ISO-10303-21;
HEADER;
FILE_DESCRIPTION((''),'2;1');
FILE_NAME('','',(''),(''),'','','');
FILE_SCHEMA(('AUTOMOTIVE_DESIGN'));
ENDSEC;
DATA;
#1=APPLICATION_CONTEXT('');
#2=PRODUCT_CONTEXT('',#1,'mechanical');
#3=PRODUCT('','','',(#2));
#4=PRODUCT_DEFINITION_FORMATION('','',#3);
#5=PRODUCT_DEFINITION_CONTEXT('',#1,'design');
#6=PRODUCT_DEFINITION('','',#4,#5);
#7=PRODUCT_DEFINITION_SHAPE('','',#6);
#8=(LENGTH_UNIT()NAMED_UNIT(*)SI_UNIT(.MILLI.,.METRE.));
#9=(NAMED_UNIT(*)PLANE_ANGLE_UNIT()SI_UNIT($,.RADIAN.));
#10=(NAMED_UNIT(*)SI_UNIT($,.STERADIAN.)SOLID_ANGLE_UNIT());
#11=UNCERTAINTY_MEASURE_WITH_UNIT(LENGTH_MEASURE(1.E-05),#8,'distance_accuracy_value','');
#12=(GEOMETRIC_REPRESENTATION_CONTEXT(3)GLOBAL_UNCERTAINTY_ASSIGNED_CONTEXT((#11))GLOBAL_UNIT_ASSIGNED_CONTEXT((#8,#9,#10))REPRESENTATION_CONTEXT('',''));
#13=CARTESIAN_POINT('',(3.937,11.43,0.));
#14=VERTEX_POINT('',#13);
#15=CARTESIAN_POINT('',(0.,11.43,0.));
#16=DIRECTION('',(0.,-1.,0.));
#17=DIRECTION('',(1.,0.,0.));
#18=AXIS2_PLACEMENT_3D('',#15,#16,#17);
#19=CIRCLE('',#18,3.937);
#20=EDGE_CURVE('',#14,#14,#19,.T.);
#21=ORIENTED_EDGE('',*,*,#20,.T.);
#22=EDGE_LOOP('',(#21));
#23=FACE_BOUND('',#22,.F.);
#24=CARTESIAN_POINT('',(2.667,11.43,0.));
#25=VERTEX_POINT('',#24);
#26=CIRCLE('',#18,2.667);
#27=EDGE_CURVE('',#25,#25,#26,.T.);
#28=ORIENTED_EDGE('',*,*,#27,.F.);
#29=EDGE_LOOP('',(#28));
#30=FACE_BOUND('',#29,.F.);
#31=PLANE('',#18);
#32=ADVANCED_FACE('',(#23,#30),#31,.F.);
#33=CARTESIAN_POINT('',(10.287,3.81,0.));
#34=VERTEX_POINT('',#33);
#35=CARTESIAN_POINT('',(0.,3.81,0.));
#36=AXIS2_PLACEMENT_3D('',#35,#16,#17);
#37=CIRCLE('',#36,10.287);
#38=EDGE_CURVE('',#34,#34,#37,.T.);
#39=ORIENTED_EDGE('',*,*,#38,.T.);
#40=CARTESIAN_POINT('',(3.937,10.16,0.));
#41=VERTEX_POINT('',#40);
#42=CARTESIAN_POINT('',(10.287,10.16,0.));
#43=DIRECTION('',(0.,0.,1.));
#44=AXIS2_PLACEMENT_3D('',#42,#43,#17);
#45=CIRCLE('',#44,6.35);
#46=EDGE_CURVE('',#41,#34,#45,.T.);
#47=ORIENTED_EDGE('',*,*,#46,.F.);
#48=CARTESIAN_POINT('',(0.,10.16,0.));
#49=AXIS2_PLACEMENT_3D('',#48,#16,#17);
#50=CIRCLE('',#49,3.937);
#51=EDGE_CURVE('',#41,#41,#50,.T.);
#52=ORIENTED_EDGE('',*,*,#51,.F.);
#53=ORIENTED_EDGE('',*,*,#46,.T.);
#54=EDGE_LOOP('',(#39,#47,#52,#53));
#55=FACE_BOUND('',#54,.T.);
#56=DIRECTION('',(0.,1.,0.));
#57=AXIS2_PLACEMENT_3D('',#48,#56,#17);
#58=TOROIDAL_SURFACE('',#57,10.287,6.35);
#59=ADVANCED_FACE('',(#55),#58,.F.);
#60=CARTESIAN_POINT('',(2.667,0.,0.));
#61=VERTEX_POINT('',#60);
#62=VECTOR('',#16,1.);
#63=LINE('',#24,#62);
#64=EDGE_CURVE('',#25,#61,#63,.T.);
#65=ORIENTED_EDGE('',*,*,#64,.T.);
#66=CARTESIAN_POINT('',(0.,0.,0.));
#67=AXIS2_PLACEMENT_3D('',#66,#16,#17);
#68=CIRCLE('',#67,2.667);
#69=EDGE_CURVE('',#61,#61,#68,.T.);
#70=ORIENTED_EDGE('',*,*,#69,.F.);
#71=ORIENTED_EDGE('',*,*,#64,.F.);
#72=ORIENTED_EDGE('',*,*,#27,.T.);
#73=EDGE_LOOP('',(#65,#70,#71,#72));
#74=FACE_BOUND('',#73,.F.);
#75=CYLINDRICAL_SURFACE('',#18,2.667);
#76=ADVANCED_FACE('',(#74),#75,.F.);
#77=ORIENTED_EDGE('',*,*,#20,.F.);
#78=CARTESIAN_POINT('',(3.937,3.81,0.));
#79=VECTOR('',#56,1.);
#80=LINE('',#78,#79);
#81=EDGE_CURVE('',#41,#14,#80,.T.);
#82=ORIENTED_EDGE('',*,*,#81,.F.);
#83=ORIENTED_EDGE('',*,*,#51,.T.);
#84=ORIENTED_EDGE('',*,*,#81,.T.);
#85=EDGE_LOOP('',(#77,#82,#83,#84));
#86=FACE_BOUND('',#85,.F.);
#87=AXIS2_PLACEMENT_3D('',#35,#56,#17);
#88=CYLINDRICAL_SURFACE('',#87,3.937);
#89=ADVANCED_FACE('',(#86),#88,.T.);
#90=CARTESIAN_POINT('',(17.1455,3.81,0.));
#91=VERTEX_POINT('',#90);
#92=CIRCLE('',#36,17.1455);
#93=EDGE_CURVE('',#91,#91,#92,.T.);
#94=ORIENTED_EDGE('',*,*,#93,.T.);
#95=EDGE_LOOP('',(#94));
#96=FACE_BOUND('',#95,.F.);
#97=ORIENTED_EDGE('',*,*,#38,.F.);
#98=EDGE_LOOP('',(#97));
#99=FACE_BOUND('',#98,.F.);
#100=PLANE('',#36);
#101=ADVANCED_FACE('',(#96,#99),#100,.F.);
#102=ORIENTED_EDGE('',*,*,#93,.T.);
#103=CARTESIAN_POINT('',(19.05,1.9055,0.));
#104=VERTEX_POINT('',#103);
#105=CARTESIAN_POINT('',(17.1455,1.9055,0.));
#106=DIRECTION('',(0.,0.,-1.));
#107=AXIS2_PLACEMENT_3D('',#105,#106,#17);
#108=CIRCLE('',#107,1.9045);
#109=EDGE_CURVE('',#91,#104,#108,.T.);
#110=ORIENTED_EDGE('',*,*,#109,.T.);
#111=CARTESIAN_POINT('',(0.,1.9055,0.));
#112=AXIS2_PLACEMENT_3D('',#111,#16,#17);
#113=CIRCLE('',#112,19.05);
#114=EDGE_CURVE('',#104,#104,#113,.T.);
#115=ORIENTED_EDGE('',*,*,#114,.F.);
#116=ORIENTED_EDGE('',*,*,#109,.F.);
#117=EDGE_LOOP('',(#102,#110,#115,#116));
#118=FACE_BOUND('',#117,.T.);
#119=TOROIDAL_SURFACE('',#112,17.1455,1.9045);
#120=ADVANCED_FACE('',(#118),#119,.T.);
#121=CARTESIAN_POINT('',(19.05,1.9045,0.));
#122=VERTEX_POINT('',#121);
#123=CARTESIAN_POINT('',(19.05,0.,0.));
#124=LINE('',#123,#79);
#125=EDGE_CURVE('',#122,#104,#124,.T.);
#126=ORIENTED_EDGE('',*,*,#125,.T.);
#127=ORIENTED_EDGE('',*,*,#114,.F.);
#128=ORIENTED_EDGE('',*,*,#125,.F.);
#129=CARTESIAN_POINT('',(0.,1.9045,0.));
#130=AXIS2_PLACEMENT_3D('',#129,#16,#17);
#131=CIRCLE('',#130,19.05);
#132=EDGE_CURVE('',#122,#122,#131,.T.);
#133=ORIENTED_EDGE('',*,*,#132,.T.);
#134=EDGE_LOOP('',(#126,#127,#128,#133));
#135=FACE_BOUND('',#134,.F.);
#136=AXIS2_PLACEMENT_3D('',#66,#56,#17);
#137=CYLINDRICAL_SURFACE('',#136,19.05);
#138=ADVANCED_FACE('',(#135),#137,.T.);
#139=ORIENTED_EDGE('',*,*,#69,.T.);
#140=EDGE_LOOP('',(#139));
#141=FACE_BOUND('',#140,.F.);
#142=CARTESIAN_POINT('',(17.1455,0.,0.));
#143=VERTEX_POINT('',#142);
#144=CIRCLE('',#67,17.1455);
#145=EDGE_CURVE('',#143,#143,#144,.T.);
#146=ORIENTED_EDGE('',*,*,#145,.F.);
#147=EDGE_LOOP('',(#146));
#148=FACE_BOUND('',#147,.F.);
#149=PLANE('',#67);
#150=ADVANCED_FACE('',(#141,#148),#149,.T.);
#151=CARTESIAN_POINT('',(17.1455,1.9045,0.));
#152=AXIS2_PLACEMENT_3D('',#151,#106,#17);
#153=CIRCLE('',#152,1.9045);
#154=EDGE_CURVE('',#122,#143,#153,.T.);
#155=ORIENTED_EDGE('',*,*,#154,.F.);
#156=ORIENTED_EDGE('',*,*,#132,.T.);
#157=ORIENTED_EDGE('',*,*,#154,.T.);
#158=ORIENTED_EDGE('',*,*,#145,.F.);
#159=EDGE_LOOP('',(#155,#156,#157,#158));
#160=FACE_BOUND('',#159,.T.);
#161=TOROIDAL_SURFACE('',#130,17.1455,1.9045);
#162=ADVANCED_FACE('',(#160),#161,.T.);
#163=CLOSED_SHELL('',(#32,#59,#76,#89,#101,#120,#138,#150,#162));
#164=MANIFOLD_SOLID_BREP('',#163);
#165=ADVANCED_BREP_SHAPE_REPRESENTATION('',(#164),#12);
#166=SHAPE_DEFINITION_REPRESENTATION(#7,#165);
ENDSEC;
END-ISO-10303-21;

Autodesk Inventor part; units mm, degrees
ref_plane "YZ Plane" through (0, 0, 0) normal (1, 0, 0) x (0, 1, 0)
ref_plane "XZ Plane" through (0, 0, 0) normal (0, 1, 0) x (-1, 0, 0)
ref_plane "XY Plane" through (0, 0, 0) normal (0, 0, 1) x (1, 0, 0)
sketch "Sketch1" plane through (0, 0, 0) normal (0, 0, 1) x (1, 0, 0)
  line L0 (2.667, 0) -> (19.05, 0)
  line L1 (19.05, 0) -> (19.05, 3.81)
  line L2 (19.05, 3.81) -> (3.937, 3.81)
  line L3 (3.937, 3.81) -> (3.937, 11.43)
  line L4 (3.937, 11.43) -> (2.667, 11.43)
  line L5 (2.667, 11.43) -> (2.667, 0)
  line L6 (0, 25.5419) -> (0, -2.7317)
  point P0 (0, 0)
  dimension "d11" = 19.05
  dimension "d12" = 3.81
  dimension "d13" = 1.27
  dimension "d15" = 2.667
  dimension "d16" = 7.62
revolve "Revolution1" add sketch "Sketch1" angle 360 about axis through (0, 25.5419, 0) along (0, -1, 0)
fillet "Fillet1" radius 6.35 1 edges at (-3.937, 3.81, 0)
fillet "Fillet2" radius 1.905 2 edges at (-19.05, 3.81, 0) (-19.05, 0, 0)
properties part number "Front Wheel"
